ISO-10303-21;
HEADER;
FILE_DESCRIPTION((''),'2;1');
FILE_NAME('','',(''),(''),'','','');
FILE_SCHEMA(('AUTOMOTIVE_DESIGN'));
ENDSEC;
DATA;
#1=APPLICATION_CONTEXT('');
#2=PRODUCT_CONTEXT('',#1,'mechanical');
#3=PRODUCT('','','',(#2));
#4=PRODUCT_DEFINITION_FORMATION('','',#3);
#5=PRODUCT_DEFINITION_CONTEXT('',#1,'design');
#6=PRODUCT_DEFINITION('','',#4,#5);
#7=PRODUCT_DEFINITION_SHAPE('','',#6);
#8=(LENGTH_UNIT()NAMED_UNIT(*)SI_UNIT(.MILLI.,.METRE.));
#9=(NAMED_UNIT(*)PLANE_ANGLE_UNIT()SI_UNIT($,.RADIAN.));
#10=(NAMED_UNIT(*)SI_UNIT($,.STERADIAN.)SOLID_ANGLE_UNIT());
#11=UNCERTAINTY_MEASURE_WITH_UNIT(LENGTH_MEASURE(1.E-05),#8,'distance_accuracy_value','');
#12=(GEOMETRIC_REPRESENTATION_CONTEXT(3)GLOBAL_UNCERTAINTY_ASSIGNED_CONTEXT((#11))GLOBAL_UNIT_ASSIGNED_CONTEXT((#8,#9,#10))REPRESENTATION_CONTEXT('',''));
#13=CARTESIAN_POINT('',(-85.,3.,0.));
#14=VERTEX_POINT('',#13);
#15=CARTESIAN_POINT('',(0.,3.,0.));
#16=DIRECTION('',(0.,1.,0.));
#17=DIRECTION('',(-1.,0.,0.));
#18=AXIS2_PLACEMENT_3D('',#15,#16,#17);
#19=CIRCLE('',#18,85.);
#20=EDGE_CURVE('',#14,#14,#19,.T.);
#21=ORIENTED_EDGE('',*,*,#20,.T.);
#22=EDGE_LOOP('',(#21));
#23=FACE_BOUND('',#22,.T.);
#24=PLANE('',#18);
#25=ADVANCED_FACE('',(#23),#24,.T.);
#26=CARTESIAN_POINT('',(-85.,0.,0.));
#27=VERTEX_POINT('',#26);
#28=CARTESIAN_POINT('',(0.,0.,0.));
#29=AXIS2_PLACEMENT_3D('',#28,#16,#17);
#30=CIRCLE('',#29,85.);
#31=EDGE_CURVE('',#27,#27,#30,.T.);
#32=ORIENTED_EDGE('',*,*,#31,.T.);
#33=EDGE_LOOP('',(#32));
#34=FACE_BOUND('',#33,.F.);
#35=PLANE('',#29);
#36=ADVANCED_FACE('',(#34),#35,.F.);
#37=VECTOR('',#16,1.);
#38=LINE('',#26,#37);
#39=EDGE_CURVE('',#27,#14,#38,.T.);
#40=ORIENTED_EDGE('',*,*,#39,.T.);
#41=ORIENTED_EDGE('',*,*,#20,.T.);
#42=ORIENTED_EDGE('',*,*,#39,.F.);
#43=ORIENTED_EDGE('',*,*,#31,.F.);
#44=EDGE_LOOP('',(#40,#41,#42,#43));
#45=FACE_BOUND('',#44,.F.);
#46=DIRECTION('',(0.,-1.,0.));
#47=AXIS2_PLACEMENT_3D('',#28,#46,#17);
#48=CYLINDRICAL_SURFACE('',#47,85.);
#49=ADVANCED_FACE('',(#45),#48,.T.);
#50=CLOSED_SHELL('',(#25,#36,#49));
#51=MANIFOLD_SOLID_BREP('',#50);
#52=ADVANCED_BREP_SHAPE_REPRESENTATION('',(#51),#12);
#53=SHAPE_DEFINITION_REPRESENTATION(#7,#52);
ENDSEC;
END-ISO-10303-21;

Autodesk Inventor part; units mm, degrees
ref_plane "YZ Plane" through (0, 0, 0) normal (1, 0, 0) x (0, 1, 0)
ref_plane "XZ Plane" through (0, 0, 0) normal (0, 1, 0) x (-1, 0, 0)
ref_plane "XY Plane" through (0, 0, 0) normal (0, 0, 1) x (1, 0, 0)
sketch "Sketch1" plane through (0, 0, 0) normal (0, 1, 0) x (-1, 0, 0)
  circle A0 centre (0, 0) radius 85
  circle A1 centre (0, 0) radius 110
  dimension "d0" = 170
  dimension "d6" = 220
extrude "Extrusion1" add sketch "Sketch1" along normal blind 3 contours A0
properties part number "Build_170mm_Borosilicate" material "Glass"
